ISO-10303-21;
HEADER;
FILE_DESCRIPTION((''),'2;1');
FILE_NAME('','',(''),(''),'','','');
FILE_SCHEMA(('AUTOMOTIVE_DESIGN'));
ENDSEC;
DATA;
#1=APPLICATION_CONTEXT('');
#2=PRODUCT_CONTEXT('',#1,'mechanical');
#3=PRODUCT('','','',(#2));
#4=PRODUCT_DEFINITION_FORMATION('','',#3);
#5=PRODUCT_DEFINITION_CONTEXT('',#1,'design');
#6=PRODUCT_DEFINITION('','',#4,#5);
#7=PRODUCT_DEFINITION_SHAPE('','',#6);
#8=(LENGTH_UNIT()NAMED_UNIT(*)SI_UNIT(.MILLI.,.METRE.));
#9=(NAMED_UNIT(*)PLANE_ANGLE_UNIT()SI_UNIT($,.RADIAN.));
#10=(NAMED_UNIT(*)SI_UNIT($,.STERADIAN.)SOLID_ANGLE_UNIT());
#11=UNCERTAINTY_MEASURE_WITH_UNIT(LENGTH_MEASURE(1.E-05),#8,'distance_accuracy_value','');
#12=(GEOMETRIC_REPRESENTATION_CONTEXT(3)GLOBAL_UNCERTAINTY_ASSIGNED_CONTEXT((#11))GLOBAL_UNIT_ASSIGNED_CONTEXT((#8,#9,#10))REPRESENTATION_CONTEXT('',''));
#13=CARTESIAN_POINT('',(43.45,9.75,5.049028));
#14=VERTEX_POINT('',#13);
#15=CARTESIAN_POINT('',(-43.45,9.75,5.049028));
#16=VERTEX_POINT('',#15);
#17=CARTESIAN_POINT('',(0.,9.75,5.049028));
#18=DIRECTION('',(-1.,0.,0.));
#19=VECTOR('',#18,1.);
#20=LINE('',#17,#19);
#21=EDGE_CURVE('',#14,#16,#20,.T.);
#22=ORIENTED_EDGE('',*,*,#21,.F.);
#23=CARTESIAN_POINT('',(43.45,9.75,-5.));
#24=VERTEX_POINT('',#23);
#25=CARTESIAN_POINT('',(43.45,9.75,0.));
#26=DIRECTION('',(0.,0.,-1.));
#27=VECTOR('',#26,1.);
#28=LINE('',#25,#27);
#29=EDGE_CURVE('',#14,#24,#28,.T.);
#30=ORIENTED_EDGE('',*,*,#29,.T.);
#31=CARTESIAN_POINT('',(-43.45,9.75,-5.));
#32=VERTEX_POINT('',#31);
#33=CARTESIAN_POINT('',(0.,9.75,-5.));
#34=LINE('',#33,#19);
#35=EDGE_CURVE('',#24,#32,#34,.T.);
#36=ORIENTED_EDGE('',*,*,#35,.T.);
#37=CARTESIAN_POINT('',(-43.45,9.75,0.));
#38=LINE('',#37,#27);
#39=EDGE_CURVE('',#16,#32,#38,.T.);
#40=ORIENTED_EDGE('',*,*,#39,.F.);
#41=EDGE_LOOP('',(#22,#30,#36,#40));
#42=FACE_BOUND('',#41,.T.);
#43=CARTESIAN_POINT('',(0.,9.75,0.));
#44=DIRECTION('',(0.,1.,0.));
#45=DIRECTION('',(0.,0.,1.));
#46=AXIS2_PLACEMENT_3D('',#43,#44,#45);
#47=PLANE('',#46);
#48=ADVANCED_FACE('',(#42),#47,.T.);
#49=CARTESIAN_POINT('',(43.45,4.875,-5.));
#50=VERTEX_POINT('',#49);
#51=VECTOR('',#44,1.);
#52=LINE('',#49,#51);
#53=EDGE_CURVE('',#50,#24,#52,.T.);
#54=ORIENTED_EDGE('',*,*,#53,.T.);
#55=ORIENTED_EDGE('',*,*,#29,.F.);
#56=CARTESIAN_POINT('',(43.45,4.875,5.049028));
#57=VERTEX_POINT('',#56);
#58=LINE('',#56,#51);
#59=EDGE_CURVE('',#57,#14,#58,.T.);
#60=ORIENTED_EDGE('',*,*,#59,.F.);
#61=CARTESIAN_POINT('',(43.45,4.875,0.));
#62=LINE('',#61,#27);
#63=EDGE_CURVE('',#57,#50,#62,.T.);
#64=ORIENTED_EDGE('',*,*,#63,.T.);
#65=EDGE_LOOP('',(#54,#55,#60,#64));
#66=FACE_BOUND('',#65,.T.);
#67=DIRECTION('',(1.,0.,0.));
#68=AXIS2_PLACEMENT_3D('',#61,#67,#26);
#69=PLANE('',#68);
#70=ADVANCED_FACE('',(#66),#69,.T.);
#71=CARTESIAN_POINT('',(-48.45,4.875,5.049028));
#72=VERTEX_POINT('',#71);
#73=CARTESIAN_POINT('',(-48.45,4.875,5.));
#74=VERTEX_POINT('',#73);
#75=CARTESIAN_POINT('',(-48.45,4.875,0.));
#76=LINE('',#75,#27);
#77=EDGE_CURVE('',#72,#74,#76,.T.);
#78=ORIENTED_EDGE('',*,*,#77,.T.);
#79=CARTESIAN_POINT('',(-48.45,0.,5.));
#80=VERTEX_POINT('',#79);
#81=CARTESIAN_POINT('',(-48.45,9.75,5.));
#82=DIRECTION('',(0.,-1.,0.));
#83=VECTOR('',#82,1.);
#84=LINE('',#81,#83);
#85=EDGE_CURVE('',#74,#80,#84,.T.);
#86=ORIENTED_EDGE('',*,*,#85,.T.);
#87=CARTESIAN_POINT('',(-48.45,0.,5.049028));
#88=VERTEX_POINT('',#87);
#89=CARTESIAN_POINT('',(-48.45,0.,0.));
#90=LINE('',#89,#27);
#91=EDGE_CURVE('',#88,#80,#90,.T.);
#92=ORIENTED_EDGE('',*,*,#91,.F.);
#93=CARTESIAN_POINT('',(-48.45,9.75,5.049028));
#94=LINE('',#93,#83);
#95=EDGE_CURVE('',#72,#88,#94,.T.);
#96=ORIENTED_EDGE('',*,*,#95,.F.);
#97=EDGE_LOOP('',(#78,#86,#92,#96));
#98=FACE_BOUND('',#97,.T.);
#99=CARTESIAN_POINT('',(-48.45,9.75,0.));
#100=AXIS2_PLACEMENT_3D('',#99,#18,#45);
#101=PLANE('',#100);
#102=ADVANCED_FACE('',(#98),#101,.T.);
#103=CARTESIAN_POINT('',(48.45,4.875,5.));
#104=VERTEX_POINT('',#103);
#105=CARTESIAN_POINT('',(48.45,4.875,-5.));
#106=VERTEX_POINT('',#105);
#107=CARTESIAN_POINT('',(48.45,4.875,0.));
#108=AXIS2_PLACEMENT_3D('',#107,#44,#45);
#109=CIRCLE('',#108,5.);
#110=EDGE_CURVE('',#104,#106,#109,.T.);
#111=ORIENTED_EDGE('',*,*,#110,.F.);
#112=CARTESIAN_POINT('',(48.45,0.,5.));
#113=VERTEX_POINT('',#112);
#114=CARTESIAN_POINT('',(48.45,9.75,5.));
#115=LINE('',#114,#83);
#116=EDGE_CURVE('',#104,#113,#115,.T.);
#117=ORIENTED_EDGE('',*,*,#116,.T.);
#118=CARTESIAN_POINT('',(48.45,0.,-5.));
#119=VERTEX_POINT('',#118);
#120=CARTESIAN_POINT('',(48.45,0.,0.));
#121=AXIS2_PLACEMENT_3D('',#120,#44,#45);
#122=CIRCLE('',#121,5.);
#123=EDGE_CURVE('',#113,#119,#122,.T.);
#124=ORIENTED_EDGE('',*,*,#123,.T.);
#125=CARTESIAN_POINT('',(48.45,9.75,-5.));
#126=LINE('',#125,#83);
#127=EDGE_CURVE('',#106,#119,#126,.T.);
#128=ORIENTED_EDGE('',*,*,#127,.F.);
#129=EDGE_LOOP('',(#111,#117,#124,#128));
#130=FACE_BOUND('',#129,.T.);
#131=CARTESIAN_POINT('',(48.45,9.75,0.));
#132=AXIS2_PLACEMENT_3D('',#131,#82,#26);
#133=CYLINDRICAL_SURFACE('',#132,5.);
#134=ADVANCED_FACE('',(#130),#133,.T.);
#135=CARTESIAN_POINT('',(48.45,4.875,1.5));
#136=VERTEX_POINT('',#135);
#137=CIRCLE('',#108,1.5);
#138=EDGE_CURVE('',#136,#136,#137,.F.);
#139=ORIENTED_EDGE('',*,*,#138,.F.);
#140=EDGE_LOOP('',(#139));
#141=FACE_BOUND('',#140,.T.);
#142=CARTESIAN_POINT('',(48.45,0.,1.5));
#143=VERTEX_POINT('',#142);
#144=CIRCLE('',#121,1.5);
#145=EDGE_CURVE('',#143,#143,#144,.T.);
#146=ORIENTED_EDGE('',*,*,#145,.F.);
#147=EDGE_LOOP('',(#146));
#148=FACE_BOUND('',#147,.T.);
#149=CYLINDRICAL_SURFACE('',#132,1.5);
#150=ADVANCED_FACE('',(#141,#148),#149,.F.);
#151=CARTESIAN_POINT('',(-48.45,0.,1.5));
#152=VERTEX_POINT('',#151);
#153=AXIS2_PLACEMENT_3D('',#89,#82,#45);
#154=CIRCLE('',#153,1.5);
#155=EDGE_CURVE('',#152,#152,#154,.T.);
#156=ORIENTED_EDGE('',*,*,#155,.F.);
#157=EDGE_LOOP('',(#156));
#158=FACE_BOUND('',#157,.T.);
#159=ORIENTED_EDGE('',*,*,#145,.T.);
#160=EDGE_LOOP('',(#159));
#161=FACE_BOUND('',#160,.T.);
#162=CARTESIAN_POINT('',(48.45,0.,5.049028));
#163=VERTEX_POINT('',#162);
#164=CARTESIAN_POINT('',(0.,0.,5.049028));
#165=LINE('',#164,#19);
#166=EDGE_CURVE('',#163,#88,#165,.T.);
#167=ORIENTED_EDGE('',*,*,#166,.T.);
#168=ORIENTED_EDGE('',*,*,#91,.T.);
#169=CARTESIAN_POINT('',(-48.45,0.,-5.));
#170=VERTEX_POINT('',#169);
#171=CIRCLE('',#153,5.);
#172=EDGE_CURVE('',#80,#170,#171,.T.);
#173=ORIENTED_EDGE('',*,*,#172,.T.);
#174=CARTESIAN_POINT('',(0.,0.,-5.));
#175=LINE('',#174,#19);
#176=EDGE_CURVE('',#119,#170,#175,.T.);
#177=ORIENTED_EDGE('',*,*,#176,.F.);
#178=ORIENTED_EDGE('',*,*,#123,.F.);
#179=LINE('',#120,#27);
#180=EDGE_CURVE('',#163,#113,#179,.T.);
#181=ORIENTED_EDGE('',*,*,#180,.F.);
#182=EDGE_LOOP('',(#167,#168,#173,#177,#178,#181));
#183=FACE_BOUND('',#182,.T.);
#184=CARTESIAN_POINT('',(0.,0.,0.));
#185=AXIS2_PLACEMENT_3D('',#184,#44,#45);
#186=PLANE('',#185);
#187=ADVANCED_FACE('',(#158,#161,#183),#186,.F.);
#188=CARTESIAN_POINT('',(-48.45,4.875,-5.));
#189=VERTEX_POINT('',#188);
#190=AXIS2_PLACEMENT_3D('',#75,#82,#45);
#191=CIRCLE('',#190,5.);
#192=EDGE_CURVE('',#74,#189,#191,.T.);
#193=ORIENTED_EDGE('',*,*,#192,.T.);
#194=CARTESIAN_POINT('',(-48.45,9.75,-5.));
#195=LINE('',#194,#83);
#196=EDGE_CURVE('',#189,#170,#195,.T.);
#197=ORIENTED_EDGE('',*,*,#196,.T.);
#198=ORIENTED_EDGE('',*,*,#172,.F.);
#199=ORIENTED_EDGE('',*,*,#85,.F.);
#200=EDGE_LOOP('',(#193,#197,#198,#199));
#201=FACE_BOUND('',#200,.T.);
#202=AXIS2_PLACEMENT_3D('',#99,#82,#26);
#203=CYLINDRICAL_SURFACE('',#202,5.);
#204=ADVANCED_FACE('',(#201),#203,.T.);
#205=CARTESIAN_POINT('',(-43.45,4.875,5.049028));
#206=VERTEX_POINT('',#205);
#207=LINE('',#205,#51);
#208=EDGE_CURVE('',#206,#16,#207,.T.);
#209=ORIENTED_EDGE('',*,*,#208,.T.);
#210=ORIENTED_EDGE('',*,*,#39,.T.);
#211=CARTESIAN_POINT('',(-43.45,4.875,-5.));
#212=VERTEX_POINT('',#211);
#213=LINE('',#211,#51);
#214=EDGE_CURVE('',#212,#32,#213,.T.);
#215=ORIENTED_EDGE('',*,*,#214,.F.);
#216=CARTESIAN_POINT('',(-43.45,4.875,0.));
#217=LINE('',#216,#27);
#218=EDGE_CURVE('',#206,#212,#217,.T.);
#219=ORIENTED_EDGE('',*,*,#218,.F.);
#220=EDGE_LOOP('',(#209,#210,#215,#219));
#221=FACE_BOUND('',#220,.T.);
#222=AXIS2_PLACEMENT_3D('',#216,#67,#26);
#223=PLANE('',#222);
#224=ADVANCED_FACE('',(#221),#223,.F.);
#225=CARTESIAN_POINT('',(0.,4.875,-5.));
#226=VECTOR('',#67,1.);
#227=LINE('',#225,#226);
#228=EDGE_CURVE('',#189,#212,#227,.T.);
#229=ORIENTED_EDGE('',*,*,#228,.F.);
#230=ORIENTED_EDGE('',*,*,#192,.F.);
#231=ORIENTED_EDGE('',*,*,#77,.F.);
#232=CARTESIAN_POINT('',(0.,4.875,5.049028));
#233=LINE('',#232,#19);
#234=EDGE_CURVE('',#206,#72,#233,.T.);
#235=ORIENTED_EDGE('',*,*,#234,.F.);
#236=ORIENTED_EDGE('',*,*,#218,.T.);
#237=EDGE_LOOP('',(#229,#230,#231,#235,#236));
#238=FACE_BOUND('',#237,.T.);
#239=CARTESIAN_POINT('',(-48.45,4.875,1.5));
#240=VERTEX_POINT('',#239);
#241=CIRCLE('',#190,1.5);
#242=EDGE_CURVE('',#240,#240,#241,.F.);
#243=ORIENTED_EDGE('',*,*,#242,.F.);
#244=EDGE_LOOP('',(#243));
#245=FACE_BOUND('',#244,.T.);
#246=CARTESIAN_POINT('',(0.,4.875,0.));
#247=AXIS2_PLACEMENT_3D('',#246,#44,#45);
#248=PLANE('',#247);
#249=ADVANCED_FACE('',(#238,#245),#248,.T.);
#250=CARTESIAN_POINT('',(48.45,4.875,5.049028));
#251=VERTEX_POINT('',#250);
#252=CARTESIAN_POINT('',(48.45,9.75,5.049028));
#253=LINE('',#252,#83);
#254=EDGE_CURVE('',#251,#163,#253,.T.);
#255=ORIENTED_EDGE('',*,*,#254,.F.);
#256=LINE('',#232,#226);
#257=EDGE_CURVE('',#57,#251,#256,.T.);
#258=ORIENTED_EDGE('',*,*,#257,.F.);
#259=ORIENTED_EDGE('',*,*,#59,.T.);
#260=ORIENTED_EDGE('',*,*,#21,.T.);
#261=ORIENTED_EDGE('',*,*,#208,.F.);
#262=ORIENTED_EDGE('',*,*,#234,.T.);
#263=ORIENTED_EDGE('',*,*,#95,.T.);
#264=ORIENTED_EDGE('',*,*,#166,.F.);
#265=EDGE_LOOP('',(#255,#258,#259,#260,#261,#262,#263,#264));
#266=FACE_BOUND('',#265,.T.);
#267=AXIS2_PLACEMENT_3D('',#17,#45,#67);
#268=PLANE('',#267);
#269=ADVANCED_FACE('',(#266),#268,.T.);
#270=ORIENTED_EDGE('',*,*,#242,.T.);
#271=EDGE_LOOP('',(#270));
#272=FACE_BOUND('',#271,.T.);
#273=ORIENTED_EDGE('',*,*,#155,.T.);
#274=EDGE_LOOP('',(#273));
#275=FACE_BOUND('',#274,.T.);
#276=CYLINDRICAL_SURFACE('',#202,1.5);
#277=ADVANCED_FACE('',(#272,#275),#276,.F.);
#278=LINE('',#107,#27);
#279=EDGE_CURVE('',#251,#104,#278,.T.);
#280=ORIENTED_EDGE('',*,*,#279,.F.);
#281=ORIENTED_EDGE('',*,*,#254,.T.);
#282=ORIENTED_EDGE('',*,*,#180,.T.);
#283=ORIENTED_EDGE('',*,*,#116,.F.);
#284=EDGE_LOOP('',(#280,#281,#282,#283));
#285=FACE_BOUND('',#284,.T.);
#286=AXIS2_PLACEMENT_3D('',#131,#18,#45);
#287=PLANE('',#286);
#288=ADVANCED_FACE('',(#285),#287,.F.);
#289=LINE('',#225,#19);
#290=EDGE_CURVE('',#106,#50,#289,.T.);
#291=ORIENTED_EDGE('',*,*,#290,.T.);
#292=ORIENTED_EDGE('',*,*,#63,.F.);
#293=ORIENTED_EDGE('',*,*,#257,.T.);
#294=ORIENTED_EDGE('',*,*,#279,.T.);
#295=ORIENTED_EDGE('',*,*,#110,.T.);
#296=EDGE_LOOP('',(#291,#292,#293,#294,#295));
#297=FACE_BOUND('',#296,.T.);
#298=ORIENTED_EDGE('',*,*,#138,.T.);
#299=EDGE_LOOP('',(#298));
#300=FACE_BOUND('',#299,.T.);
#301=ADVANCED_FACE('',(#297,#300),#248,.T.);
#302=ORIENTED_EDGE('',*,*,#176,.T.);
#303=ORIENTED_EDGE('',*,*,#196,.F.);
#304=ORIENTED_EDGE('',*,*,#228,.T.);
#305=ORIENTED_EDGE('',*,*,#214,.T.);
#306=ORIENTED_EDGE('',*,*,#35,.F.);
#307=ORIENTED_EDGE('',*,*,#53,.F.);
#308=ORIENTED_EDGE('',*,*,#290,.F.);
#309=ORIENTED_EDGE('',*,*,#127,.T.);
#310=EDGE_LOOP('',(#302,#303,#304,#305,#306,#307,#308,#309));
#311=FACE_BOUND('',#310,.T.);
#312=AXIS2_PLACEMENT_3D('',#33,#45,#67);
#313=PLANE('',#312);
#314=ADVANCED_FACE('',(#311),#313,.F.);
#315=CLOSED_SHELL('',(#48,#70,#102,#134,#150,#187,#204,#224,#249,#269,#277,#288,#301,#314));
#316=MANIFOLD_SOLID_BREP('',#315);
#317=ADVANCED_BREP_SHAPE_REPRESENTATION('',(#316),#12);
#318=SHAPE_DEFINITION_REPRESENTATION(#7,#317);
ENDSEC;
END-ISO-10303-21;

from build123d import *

# Parameters (mm, degrees)
BOSS_EXTRUDE1_DEPTH = 9.75
CUT_EXTRUDE3_START  = -4.875
CUT_EXTRUDE3_DEPTH  = 4.875


with BuildPart() as part:
    # Sketch1 → Boss-Extrude1 (new body)
    with BuildSketch(Plane(origin=(0, 0, 0), x_dir=(1, 0, 0), z_dir=(0, 1, 0))):
        with BuildLine():
            Line((0, 5), (0, 0))
            Line((0, 0), (43.45, 0))
            ThreePointArc((43.45, 0), (44.914466094, 3.535533906), (48.45, 5))
            Line((48.45, 5), (0, 5))
        make_face()
        with BuildLine():
            Line((43.45, 0), (0, 0))
            Line((0, 0), (0, -5.049027621))
            Line((0, -5.049027621), (48.45, -5.049027621))
            Line((48.45, -5.049027621), (48.45, -5))
            ThreePointArc((48.45, -5), (44.914466094, -3.535533906), (43.45, 0))
        make_face()
        with BuildLine():
            ThreePointArc((53.45, 0), (51.985533906, 3.535533906), (48.45, 5))
            Line((48.45, 5), (48.45, 1.5))
            ThreePointArc((48.45, 1.5), (49.510660172, 1.060660172), (49.95, 0))
            ThreePointArc((49.95, 0), (49.510660172, -1.060660172), (48.45, -1.5))
            Line((48.45, -1.5), (48.45, -5))
            ThreePointArc((48.45, -5), (51.985533906, -3.535533906), (53.45, 0))
        make_face()
        with BuildLine():
            ThreePointArc((48.45, 5), (44.914466094, 3.535533906), (43.45, 0))
            Line((43.45, 0), (46.95, 0))
            ThreePointArc((46.95, 0), (47.389339828, 1.060660172), (48.45, 1.5))
            Line((48.45, 1.5), (48.45, 5))
        make_face()
        with BuildLine():
            Line((46.95, 0), (43.45, 0))
            ThreePointArc((43.45, 0), (44.914466094, -3.535533906), (48.45, -5))
            Line((48.45, -5), (48.45, -1.5))
            ThreePointArc((48.45, -1.5), (47.389339828, -1.060660172), (46.95, 0))
        make_face()
    boss_extrude1 = extrude(amount=BOSS_EXTRUDE1_DEPTH)

    # Mirror1: Boss-Extrude1 across plane
    add(boss_extrude1.mirror(Plane(origin=(0, 0, 0), x_dir=(0, 0, 1), z_dir=(1, 0, 0))))

    # Sketch2 → Cut-Extrude3 (cut)
    with BuildSketch(Plane(origin=(0, 9.75, 0), x_dir=(1, 0, 0), z_dir=(0, 1, 0)).offset(CUT_EXTRUDE3_START)):
        with BuildLine():
            Line((49.95, 0), (53.45, 0))
            ThreePointArc((53.45, 0), (51.985533906, 3.535533906), (48.45, 5))
            Line((48.45, 5), (43.45, 5))
            Line((43.45, 5), (43.45, 0))
            Line((43.45, 0), (46.95, 0))
            ThreePointArc((46.95, 0), (48.45, 1.5), (49.95, 0))
        make_face()
        with BuildLine():
            ThreePointArc((48.45, -5), (51.985533906, -3.535533906), (53.45, 0))
            Line((53.45, 0), (49.95, 0))
            ThreePointArc((49.95, 0), (48.45, -1.5), (46.95, 0))
            Line((46.95, 0), (43.45, 0))
            Line((43.45, 0), (43.45, -5.049027621))
            Line((43.45, -5.049027621), (48.45, -5.049027621))
            Line((48.45, -5.049027621), (48.45, -5))
        make_face()
    cut_extrude3 = extrude(amount=CUT_EXTRUDE3_DEPTH, mode=Mode.SUBTRACT)

    # Mirror2: Cut-Extrude3 across plane
    add(cut_extrude3.mirror(Plane(origin=(0, 0, 0), x_dir=(0, 0, 1), z_dir=(1, 0, 0))), mode=Mode.SUBTRACT)


solid = part.part
